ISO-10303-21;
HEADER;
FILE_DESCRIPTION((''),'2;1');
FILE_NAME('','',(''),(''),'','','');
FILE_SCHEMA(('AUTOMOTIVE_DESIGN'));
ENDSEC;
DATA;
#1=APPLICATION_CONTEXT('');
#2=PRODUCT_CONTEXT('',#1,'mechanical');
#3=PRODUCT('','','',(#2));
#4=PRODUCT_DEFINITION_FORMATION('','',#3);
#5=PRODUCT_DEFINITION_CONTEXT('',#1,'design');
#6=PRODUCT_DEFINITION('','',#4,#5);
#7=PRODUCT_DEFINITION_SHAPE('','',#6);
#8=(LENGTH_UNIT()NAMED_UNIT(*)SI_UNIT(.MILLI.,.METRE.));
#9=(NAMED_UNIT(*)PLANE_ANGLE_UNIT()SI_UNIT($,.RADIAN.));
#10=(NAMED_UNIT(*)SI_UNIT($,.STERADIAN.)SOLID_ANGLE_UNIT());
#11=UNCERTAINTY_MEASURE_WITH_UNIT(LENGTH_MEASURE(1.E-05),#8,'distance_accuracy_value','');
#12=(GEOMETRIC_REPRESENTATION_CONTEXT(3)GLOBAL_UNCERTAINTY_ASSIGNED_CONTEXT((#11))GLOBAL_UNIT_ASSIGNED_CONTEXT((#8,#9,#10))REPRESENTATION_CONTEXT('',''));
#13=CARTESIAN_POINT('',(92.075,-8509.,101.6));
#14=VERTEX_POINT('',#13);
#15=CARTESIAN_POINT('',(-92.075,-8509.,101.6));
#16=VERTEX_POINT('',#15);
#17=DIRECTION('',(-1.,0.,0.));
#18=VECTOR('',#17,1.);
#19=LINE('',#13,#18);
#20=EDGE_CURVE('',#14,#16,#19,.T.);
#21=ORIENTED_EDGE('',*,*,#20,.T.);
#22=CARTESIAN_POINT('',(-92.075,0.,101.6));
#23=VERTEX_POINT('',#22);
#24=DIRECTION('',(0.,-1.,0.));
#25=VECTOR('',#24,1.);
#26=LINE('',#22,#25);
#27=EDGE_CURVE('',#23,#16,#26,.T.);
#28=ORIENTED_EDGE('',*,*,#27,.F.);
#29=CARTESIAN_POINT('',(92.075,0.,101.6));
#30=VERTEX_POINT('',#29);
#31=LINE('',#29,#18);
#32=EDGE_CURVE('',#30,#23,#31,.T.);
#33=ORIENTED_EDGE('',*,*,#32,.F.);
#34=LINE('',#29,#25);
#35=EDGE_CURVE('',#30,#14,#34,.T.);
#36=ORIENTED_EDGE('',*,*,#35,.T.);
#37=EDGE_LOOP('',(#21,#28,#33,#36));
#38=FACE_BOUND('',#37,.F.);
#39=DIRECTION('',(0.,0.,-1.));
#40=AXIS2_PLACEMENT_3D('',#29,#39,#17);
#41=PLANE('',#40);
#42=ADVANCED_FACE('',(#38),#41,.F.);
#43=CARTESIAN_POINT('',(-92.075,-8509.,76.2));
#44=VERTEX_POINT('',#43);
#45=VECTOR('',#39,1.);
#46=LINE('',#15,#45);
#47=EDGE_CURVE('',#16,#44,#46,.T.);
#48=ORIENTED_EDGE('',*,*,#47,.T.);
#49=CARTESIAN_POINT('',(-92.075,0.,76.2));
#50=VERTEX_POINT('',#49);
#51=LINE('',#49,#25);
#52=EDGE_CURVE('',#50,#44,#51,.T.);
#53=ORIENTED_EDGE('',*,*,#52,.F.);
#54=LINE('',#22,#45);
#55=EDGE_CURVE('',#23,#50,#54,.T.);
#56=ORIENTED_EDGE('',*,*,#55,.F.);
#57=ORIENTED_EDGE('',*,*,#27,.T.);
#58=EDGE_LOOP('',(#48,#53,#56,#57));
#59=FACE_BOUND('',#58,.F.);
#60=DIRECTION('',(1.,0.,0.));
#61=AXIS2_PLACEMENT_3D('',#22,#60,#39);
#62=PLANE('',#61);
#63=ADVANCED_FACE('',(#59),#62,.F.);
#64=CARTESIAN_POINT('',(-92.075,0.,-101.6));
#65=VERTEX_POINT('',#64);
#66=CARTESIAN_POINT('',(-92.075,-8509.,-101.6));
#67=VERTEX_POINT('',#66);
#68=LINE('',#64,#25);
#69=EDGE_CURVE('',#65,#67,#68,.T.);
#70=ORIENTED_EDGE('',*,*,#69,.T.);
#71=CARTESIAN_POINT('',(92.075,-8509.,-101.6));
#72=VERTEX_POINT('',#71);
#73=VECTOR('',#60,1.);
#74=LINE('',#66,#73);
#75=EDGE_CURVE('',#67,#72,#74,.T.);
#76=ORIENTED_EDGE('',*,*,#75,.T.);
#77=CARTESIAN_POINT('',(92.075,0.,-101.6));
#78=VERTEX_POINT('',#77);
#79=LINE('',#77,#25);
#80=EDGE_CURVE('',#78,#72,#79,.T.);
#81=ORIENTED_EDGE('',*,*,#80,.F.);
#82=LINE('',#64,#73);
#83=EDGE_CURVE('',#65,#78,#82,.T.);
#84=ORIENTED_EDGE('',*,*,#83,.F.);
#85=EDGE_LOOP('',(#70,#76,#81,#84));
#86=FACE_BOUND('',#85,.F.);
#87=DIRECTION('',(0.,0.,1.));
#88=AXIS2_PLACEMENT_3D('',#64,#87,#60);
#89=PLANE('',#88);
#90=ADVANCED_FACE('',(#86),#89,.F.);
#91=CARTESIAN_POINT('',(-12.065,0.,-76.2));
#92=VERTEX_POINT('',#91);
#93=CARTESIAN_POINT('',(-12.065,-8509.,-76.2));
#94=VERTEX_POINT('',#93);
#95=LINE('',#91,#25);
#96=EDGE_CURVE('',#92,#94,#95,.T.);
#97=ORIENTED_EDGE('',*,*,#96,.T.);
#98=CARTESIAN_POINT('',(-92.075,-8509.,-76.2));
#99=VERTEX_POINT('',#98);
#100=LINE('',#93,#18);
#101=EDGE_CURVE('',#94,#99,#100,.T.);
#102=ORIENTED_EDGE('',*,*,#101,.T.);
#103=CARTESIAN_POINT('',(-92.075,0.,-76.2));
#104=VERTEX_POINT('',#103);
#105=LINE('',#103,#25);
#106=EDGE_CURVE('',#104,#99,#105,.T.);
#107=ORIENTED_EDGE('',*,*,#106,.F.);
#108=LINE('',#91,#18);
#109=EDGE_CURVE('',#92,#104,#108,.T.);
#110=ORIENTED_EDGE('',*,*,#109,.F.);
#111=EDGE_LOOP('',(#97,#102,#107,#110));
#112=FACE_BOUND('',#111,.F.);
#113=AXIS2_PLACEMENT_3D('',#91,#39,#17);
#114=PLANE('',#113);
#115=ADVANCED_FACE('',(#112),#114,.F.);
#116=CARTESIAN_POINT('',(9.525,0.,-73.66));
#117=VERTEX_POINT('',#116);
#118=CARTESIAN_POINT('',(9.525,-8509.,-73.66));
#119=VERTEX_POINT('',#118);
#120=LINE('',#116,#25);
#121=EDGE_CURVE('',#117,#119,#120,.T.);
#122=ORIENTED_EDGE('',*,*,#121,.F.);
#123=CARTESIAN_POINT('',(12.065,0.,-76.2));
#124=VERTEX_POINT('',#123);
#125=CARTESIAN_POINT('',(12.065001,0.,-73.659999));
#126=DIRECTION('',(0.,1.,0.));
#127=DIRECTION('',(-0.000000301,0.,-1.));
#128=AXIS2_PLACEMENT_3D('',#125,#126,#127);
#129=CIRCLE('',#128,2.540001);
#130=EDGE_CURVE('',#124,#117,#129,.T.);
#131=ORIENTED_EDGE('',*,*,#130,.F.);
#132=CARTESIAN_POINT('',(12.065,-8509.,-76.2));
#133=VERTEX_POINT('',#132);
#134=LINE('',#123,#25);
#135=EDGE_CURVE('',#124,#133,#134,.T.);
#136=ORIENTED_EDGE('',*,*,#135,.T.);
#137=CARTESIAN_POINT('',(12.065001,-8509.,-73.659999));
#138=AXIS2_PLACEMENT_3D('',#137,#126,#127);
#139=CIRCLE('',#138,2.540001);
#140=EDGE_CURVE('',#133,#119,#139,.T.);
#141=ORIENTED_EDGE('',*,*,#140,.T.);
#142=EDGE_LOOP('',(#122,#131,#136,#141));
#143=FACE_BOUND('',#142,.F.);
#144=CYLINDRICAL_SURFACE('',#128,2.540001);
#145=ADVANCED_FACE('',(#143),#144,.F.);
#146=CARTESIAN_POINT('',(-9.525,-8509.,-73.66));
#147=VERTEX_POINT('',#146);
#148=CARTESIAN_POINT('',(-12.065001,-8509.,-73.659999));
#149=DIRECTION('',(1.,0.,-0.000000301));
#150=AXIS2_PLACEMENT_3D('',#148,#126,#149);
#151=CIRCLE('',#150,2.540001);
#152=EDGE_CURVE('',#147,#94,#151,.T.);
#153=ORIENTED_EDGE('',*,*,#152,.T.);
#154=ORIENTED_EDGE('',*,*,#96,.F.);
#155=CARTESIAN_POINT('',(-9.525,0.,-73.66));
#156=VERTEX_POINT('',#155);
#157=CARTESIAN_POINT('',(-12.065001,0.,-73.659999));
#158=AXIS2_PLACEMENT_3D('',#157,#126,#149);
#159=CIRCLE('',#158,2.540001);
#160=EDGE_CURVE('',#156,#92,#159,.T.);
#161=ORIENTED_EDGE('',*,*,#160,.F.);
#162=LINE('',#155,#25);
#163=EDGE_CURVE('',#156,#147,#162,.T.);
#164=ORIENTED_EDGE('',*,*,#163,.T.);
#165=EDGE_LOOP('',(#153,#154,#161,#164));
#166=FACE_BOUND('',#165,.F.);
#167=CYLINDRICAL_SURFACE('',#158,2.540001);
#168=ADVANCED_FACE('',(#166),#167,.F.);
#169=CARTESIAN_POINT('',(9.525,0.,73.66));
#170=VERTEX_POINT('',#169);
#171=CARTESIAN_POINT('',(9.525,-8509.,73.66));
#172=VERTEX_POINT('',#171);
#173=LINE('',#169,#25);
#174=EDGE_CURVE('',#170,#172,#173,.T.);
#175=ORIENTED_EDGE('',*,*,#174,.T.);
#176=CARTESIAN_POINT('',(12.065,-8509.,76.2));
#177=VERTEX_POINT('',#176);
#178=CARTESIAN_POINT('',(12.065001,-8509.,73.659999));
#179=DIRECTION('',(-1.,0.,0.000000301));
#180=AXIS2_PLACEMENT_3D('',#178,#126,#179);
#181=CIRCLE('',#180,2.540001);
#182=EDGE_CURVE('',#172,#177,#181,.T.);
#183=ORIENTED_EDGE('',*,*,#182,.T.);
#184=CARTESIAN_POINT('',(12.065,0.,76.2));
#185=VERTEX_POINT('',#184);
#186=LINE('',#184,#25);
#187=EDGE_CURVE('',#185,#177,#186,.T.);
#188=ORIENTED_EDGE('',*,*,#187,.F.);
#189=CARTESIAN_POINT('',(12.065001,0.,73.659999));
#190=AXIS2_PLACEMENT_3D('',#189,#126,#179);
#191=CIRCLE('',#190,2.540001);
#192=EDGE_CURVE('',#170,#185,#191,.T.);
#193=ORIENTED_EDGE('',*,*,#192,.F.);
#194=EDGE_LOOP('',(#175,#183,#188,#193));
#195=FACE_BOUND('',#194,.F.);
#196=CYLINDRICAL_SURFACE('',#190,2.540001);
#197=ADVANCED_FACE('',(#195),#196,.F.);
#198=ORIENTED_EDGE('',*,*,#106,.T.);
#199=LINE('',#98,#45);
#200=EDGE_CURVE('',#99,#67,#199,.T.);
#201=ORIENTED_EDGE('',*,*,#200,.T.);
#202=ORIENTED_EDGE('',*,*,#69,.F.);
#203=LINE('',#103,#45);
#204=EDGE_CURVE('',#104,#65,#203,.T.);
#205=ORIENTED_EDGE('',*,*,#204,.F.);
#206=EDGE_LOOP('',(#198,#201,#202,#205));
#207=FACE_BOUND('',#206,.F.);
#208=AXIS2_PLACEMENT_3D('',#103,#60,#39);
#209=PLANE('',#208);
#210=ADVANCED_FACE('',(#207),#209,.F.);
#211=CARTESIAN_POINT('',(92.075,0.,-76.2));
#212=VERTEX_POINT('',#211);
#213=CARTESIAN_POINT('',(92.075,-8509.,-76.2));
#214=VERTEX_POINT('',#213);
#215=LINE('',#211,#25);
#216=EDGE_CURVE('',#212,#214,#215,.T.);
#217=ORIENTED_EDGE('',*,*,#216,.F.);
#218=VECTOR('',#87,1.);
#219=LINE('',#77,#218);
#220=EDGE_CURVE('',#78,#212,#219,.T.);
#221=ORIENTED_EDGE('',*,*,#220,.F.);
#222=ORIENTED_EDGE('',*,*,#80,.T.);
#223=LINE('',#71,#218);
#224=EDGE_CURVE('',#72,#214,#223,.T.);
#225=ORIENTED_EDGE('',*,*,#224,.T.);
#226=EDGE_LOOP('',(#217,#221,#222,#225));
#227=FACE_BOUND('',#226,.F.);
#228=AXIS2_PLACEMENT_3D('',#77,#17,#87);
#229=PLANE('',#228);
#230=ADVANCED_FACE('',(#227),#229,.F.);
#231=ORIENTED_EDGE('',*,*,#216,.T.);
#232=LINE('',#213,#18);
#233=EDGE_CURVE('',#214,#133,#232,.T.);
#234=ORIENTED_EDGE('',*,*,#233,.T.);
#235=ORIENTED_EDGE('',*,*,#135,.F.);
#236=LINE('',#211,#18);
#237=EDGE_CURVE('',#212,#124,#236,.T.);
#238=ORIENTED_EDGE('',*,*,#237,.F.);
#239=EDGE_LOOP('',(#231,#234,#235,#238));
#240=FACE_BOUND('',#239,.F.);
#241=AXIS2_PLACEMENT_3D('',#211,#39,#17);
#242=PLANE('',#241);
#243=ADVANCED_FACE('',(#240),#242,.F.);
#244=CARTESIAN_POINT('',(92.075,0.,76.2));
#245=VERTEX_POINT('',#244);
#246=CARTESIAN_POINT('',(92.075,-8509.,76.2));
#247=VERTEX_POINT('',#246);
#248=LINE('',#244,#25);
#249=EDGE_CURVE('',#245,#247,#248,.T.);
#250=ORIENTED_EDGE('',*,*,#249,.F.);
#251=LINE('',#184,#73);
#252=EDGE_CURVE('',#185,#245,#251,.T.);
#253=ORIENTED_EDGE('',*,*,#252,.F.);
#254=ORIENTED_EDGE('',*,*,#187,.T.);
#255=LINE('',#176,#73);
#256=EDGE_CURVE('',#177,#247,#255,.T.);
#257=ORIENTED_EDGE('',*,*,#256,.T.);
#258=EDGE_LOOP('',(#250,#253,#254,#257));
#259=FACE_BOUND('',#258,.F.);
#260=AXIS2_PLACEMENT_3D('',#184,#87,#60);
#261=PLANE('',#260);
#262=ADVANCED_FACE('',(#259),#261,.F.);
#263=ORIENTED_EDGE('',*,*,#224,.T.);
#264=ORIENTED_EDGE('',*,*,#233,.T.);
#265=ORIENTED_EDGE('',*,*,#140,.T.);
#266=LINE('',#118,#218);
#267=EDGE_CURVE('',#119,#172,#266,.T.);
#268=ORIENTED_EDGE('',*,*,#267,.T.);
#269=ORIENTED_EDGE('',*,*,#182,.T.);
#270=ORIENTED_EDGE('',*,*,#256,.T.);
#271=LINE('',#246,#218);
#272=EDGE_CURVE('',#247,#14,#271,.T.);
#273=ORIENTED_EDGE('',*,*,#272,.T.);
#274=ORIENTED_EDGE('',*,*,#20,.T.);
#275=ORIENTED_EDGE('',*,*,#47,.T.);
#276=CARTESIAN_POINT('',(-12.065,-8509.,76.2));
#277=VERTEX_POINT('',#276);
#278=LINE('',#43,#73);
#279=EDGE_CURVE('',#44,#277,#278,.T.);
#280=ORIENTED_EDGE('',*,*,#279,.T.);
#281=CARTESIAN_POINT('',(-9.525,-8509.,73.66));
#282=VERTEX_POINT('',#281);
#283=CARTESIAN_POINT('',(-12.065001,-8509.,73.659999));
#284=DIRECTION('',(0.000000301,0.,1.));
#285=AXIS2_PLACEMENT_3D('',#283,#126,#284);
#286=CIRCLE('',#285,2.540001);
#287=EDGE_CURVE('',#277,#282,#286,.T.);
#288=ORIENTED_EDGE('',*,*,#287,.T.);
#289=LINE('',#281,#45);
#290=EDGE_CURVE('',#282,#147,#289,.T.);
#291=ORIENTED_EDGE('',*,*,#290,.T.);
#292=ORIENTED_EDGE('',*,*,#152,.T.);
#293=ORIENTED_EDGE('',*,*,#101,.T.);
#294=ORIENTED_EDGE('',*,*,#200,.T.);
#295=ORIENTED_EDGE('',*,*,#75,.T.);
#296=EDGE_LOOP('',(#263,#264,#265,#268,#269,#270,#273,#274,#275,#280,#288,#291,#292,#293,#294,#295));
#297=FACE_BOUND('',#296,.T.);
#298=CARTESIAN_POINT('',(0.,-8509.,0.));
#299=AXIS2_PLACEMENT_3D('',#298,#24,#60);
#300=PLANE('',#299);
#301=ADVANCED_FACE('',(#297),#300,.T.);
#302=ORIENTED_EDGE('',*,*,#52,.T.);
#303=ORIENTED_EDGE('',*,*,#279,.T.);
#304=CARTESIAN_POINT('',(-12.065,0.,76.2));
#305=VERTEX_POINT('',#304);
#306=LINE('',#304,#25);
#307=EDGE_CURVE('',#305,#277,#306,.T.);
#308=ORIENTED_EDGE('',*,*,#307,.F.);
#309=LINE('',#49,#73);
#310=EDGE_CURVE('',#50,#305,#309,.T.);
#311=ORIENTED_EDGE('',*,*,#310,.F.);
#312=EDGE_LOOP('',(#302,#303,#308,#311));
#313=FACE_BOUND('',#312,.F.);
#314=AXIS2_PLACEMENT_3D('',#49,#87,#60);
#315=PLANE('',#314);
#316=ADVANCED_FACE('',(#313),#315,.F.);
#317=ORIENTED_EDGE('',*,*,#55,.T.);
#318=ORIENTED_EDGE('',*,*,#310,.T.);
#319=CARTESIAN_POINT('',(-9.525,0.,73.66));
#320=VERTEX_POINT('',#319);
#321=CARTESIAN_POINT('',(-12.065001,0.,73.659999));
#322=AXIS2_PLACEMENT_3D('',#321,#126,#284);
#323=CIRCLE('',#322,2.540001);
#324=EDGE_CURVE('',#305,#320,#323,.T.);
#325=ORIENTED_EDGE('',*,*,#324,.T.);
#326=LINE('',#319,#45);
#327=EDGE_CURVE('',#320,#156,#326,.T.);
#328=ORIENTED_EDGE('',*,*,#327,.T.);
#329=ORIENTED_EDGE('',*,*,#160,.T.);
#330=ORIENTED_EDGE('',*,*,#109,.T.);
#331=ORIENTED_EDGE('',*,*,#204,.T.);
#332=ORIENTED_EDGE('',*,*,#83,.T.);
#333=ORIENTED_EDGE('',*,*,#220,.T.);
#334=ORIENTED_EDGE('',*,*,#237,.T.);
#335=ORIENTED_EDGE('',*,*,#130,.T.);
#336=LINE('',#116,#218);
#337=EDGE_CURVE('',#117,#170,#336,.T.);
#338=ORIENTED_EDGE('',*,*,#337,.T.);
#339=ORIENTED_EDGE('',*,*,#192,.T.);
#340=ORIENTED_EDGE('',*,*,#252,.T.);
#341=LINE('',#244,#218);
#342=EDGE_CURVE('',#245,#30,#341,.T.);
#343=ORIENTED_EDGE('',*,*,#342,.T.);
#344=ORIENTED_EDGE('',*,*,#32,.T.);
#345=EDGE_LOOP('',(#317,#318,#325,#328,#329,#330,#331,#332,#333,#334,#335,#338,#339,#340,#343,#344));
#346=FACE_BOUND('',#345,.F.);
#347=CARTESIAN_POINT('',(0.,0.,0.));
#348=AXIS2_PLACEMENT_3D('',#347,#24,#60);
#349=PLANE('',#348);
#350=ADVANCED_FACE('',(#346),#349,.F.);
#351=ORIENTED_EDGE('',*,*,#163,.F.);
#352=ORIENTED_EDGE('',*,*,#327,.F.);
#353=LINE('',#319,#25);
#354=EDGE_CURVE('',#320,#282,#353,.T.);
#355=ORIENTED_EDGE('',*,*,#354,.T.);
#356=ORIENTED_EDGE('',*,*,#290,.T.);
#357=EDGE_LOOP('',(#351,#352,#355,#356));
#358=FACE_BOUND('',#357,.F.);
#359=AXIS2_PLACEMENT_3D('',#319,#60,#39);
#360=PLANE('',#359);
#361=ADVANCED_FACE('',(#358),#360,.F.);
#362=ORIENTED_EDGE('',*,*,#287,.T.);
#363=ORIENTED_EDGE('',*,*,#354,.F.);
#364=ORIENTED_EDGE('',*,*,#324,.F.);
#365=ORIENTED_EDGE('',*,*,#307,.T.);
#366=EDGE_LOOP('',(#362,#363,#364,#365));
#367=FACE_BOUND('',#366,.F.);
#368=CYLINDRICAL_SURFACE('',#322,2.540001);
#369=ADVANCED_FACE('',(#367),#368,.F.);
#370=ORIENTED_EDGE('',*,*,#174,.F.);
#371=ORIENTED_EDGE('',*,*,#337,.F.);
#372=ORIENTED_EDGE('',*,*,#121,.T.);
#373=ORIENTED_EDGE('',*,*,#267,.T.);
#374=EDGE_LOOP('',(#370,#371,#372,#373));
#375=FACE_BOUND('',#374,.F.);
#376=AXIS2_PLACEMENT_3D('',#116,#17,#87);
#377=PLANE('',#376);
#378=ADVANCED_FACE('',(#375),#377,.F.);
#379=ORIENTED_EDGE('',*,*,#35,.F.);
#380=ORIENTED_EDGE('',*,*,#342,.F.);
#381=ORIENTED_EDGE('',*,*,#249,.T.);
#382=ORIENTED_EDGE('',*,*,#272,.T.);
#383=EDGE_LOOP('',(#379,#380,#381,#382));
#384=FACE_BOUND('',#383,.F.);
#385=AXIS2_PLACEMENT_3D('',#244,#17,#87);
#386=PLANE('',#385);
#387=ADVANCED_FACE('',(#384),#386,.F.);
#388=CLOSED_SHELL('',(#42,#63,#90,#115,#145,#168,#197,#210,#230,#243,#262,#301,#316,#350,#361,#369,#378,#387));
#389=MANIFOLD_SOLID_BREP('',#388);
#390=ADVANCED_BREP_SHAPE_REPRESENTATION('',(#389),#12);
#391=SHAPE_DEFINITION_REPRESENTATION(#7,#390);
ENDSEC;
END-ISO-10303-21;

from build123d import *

# Parameters (mm, degrees)
F1_DEPTH = 8509


with BuildPart() as f1:
    # F0 (on Front) → F1 (new body)
    with BuildSketch(Plane.XZ):
        with BuildLine():
            Line((92.075, -101.6), (92.075, -76.2))
            Line((92.075, -76.2), (12.065, -76.2))
            ThreePointArc((12.065, -76.2), (10.268949, -75.456051), (9.525, -73.66))
            Line((9.525, -73.66), (9.525, 73.66))
            ThreePointArc((9.525, 73.66), (10.268949, 75.456051), (12.065, 76.2))
            Line((12.065, 76.2), (92.075, 76.2))
            Line((92.075, 76.2), (92.075, 101.6))
            Line((92.075, 101.6), (-92.075, 101.6))
            Line((-92.075, 101.6), (-92.075, 76.2))
            Line((-92.075, 76.2), (-12.065, 76.2))
            ThreePointArc((-12.065, 76.2), (-10.268949, 75.456051), (-9.525, 73.66))
            Line((-9.525, 73.66), (-9.525, -73.66))
            ThreePointArc((-9.525, -73.66), (-10.268949, -75.456051), (-12.065, -76.2))
            Line((-12.065, -76.2), (-92.075, -76.2))
            Line((-92.075, -76.2), (-92.075, -101.6))
            Line((-92.075, -101.6), (92.075, -101.6))
        make_face()
    extrude(amount=F1_DEPTH)


solid = f1.part
